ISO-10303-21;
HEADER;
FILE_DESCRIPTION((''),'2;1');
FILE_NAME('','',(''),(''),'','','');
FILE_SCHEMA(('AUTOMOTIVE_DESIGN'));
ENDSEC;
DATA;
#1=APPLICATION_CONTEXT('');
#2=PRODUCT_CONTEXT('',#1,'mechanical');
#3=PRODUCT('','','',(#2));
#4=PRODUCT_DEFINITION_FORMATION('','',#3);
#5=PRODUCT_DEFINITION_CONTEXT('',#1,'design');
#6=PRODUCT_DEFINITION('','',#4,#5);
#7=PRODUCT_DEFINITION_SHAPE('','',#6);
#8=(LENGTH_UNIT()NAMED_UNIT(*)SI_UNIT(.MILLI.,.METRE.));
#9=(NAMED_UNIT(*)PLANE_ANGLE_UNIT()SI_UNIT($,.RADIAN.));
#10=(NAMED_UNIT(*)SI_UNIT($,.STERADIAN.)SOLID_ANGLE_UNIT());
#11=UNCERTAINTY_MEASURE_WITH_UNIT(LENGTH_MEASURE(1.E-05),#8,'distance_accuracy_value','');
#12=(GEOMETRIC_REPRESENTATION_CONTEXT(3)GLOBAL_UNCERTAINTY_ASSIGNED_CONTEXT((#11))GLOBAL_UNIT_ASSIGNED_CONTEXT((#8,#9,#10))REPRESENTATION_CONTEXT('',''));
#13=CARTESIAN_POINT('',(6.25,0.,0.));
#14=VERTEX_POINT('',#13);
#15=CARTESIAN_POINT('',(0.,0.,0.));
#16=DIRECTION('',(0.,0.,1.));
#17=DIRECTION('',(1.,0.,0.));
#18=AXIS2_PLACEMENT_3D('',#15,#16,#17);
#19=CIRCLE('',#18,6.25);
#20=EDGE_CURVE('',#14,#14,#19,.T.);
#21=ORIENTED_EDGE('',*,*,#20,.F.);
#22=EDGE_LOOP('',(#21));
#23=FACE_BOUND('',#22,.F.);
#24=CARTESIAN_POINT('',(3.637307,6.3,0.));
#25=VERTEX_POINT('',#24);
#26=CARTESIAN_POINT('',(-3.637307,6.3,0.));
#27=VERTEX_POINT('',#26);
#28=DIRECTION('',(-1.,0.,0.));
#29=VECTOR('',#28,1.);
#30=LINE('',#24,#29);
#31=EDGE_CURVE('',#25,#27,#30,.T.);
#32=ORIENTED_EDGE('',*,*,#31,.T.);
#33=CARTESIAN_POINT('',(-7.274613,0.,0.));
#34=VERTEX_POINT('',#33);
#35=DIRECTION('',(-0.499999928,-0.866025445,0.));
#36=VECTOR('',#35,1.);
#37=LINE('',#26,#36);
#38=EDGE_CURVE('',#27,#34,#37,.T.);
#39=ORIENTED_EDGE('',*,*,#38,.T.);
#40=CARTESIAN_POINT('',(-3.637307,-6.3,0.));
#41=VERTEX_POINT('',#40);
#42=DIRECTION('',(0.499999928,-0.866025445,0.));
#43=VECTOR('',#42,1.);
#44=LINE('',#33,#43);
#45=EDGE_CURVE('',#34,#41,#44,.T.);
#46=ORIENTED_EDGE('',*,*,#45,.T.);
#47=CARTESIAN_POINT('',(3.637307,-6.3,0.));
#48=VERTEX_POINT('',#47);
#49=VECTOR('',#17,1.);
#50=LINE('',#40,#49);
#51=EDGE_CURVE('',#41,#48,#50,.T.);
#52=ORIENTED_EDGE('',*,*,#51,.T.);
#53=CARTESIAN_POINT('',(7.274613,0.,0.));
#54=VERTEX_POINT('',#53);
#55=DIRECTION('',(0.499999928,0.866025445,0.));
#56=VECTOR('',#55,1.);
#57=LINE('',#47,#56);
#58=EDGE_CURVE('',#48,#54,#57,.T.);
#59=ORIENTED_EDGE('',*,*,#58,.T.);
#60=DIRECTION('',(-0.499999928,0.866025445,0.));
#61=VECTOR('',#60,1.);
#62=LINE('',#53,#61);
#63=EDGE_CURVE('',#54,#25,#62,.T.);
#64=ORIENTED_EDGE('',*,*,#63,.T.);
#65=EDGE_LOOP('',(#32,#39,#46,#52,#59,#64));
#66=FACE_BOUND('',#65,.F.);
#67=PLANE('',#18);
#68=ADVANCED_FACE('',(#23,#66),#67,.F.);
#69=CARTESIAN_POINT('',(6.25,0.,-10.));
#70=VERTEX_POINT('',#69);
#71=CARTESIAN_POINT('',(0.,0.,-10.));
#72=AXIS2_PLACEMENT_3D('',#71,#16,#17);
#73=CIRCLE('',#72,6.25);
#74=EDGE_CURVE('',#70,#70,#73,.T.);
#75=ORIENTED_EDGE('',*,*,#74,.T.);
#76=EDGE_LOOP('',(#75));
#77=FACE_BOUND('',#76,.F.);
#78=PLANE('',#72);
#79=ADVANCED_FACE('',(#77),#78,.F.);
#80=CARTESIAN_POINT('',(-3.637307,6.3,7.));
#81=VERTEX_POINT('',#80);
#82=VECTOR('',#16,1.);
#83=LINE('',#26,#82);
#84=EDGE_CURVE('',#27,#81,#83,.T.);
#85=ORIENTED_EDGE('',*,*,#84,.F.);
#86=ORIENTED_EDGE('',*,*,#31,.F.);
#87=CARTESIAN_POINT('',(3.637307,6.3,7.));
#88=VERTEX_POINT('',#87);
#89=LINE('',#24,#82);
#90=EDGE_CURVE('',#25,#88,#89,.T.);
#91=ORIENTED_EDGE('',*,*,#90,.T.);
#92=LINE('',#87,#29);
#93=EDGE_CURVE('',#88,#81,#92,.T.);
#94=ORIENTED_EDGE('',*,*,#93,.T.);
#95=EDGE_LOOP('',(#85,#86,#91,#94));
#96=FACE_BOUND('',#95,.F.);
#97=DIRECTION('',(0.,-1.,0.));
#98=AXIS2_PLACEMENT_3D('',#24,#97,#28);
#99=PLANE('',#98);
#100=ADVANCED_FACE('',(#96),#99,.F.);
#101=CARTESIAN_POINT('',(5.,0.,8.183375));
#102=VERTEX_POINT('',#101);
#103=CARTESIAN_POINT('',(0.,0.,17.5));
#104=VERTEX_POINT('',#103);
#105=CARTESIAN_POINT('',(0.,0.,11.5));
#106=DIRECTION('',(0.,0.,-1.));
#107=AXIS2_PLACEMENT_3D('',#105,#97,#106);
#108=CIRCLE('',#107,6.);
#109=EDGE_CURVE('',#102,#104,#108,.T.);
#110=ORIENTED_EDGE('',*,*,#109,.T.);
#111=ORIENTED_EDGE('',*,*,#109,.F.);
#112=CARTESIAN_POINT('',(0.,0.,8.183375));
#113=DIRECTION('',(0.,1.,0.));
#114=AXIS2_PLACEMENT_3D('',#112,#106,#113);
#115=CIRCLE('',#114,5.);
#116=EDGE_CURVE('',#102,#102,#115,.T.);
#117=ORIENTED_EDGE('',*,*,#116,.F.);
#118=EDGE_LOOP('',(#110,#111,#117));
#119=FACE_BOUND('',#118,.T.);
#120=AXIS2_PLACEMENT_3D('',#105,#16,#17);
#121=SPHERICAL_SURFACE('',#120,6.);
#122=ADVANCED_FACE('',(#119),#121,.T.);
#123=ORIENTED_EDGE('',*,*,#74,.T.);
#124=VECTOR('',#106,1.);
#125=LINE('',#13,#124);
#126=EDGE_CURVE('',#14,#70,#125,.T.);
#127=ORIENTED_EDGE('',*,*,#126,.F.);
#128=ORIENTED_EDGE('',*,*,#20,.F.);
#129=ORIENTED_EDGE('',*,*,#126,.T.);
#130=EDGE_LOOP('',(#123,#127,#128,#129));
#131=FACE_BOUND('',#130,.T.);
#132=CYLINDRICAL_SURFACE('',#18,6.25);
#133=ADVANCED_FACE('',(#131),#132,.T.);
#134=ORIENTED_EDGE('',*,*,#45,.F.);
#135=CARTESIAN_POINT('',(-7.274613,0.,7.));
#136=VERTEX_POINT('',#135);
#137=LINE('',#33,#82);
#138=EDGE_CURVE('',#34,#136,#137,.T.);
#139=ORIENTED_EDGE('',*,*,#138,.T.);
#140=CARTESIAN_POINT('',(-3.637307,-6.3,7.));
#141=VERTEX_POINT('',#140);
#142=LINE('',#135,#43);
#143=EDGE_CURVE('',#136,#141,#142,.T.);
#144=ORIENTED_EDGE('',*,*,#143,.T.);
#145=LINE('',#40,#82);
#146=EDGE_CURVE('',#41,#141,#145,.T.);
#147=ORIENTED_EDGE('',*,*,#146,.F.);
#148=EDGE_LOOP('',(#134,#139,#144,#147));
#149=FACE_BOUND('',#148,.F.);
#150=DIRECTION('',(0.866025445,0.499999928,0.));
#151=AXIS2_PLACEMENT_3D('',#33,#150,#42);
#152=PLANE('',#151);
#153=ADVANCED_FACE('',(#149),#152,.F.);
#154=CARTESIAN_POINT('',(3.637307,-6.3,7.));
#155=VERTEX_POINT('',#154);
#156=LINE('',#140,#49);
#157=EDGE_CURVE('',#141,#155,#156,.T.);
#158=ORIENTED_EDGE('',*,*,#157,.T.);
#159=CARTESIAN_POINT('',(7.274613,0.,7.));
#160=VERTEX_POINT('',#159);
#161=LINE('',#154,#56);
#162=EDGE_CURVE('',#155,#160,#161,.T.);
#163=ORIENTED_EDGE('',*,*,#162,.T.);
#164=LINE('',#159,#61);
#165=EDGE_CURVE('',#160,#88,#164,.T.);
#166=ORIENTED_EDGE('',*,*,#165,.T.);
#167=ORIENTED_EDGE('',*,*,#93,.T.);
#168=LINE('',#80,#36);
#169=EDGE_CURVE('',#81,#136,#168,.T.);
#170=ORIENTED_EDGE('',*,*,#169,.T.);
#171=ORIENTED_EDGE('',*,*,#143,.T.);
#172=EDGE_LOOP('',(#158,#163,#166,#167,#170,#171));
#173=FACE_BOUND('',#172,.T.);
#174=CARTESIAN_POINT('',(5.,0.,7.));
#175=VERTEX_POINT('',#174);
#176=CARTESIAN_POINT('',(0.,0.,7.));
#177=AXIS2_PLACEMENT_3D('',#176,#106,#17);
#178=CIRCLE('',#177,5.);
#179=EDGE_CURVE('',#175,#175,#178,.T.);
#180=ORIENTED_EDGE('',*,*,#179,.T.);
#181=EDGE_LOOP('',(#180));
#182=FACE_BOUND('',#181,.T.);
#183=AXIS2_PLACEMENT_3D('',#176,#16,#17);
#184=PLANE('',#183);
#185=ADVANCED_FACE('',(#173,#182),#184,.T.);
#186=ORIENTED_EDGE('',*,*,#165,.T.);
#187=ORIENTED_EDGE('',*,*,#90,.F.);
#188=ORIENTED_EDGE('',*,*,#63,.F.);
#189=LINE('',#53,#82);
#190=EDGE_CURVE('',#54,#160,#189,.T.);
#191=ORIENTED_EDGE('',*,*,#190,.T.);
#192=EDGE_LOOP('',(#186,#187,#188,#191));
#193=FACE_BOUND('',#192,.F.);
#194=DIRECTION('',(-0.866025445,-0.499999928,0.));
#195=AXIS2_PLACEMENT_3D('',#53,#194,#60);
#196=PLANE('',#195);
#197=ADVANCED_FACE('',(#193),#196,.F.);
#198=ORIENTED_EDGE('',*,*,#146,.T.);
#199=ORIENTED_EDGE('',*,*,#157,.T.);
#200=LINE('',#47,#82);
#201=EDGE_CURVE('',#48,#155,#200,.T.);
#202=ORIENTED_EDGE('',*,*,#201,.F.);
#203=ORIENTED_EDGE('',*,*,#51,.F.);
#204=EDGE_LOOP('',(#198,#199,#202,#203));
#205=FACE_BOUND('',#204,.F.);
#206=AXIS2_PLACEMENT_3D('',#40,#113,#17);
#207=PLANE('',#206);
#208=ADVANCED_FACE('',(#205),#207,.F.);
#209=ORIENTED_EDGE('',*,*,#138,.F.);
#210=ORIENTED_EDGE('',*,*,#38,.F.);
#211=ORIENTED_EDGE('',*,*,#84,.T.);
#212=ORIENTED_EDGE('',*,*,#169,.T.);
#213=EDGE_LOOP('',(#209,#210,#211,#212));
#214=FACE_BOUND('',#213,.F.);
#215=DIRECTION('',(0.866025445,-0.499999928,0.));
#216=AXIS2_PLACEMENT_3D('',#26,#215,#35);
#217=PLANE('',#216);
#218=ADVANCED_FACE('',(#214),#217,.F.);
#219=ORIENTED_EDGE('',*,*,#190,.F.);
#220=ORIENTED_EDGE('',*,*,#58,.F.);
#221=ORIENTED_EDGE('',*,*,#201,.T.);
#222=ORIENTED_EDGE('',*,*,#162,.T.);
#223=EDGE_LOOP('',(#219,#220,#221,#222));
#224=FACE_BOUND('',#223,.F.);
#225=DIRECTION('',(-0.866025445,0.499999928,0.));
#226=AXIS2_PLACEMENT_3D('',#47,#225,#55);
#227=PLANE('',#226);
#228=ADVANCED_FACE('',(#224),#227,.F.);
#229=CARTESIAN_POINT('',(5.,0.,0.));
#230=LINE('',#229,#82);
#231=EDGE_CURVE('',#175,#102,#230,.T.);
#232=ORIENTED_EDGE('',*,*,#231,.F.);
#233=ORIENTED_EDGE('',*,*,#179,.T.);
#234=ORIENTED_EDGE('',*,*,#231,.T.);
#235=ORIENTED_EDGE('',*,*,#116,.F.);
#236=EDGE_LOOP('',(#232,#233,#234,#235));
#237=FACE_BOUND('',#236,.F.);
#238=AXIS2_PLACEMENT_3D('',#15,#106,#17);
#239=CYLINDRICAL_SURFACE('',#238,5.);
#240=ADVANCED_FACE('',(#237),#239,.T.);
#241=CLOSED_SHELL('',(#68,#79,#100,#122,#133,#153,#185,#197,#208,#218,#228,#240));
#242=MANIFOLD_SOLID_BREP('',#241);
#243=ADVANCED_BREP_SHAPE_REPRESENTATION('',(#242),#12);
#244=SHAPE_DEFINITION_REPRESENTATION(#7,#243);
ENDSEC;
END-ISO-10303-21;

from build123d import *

# Parameters (mm, degrees)
SKETCH_R     = 6.25
PAD_DEPTH    = 10
PAD001_DEPTH = 7
SKETCH002_R  = 5
PAD002_DEPTH = 8.5


with BuildPart() as part:
    # Sketch → Pad (new body)
    with BuildSketch(Plane.XY):
        Circle(SKETCH_R)
    extrude(amount=-PAD_DEPTH)

    # Sketch001 → Pad001 (join)
    with BuildSketch(Plane.XY):
        Polygon((7.274613, 0), (3.637307, 6.3), (-3.637307, 6.3), (-7.274613, 0), (-3.637307, -6.3), (3.637307, -6.3), align=None)
    extrude(amount=PAD001_DEPTH)

    # Sketch002 → Pad002 (join)
    with BuildSketch(Plane.XY):
        Circle(SKETCH002_R)
    extrude(amount=PAD002_DEPTH)

    # Sphere → Sphere (revolve)
    with BuildSketch(Plane(origin=(0, 0, 11.5), x_dir=(1, 0, 0), z_dir=(0, -1, 0))):
        with BuildLine():
            ThreePointArc((0, -6), (6, 0), (0, 6))
            Line((0, 6), (0, -6))
        make_face()
    revolve(axis=Axis((0, 0, 11.5), (0, 0, 1)))


solid = part.part
